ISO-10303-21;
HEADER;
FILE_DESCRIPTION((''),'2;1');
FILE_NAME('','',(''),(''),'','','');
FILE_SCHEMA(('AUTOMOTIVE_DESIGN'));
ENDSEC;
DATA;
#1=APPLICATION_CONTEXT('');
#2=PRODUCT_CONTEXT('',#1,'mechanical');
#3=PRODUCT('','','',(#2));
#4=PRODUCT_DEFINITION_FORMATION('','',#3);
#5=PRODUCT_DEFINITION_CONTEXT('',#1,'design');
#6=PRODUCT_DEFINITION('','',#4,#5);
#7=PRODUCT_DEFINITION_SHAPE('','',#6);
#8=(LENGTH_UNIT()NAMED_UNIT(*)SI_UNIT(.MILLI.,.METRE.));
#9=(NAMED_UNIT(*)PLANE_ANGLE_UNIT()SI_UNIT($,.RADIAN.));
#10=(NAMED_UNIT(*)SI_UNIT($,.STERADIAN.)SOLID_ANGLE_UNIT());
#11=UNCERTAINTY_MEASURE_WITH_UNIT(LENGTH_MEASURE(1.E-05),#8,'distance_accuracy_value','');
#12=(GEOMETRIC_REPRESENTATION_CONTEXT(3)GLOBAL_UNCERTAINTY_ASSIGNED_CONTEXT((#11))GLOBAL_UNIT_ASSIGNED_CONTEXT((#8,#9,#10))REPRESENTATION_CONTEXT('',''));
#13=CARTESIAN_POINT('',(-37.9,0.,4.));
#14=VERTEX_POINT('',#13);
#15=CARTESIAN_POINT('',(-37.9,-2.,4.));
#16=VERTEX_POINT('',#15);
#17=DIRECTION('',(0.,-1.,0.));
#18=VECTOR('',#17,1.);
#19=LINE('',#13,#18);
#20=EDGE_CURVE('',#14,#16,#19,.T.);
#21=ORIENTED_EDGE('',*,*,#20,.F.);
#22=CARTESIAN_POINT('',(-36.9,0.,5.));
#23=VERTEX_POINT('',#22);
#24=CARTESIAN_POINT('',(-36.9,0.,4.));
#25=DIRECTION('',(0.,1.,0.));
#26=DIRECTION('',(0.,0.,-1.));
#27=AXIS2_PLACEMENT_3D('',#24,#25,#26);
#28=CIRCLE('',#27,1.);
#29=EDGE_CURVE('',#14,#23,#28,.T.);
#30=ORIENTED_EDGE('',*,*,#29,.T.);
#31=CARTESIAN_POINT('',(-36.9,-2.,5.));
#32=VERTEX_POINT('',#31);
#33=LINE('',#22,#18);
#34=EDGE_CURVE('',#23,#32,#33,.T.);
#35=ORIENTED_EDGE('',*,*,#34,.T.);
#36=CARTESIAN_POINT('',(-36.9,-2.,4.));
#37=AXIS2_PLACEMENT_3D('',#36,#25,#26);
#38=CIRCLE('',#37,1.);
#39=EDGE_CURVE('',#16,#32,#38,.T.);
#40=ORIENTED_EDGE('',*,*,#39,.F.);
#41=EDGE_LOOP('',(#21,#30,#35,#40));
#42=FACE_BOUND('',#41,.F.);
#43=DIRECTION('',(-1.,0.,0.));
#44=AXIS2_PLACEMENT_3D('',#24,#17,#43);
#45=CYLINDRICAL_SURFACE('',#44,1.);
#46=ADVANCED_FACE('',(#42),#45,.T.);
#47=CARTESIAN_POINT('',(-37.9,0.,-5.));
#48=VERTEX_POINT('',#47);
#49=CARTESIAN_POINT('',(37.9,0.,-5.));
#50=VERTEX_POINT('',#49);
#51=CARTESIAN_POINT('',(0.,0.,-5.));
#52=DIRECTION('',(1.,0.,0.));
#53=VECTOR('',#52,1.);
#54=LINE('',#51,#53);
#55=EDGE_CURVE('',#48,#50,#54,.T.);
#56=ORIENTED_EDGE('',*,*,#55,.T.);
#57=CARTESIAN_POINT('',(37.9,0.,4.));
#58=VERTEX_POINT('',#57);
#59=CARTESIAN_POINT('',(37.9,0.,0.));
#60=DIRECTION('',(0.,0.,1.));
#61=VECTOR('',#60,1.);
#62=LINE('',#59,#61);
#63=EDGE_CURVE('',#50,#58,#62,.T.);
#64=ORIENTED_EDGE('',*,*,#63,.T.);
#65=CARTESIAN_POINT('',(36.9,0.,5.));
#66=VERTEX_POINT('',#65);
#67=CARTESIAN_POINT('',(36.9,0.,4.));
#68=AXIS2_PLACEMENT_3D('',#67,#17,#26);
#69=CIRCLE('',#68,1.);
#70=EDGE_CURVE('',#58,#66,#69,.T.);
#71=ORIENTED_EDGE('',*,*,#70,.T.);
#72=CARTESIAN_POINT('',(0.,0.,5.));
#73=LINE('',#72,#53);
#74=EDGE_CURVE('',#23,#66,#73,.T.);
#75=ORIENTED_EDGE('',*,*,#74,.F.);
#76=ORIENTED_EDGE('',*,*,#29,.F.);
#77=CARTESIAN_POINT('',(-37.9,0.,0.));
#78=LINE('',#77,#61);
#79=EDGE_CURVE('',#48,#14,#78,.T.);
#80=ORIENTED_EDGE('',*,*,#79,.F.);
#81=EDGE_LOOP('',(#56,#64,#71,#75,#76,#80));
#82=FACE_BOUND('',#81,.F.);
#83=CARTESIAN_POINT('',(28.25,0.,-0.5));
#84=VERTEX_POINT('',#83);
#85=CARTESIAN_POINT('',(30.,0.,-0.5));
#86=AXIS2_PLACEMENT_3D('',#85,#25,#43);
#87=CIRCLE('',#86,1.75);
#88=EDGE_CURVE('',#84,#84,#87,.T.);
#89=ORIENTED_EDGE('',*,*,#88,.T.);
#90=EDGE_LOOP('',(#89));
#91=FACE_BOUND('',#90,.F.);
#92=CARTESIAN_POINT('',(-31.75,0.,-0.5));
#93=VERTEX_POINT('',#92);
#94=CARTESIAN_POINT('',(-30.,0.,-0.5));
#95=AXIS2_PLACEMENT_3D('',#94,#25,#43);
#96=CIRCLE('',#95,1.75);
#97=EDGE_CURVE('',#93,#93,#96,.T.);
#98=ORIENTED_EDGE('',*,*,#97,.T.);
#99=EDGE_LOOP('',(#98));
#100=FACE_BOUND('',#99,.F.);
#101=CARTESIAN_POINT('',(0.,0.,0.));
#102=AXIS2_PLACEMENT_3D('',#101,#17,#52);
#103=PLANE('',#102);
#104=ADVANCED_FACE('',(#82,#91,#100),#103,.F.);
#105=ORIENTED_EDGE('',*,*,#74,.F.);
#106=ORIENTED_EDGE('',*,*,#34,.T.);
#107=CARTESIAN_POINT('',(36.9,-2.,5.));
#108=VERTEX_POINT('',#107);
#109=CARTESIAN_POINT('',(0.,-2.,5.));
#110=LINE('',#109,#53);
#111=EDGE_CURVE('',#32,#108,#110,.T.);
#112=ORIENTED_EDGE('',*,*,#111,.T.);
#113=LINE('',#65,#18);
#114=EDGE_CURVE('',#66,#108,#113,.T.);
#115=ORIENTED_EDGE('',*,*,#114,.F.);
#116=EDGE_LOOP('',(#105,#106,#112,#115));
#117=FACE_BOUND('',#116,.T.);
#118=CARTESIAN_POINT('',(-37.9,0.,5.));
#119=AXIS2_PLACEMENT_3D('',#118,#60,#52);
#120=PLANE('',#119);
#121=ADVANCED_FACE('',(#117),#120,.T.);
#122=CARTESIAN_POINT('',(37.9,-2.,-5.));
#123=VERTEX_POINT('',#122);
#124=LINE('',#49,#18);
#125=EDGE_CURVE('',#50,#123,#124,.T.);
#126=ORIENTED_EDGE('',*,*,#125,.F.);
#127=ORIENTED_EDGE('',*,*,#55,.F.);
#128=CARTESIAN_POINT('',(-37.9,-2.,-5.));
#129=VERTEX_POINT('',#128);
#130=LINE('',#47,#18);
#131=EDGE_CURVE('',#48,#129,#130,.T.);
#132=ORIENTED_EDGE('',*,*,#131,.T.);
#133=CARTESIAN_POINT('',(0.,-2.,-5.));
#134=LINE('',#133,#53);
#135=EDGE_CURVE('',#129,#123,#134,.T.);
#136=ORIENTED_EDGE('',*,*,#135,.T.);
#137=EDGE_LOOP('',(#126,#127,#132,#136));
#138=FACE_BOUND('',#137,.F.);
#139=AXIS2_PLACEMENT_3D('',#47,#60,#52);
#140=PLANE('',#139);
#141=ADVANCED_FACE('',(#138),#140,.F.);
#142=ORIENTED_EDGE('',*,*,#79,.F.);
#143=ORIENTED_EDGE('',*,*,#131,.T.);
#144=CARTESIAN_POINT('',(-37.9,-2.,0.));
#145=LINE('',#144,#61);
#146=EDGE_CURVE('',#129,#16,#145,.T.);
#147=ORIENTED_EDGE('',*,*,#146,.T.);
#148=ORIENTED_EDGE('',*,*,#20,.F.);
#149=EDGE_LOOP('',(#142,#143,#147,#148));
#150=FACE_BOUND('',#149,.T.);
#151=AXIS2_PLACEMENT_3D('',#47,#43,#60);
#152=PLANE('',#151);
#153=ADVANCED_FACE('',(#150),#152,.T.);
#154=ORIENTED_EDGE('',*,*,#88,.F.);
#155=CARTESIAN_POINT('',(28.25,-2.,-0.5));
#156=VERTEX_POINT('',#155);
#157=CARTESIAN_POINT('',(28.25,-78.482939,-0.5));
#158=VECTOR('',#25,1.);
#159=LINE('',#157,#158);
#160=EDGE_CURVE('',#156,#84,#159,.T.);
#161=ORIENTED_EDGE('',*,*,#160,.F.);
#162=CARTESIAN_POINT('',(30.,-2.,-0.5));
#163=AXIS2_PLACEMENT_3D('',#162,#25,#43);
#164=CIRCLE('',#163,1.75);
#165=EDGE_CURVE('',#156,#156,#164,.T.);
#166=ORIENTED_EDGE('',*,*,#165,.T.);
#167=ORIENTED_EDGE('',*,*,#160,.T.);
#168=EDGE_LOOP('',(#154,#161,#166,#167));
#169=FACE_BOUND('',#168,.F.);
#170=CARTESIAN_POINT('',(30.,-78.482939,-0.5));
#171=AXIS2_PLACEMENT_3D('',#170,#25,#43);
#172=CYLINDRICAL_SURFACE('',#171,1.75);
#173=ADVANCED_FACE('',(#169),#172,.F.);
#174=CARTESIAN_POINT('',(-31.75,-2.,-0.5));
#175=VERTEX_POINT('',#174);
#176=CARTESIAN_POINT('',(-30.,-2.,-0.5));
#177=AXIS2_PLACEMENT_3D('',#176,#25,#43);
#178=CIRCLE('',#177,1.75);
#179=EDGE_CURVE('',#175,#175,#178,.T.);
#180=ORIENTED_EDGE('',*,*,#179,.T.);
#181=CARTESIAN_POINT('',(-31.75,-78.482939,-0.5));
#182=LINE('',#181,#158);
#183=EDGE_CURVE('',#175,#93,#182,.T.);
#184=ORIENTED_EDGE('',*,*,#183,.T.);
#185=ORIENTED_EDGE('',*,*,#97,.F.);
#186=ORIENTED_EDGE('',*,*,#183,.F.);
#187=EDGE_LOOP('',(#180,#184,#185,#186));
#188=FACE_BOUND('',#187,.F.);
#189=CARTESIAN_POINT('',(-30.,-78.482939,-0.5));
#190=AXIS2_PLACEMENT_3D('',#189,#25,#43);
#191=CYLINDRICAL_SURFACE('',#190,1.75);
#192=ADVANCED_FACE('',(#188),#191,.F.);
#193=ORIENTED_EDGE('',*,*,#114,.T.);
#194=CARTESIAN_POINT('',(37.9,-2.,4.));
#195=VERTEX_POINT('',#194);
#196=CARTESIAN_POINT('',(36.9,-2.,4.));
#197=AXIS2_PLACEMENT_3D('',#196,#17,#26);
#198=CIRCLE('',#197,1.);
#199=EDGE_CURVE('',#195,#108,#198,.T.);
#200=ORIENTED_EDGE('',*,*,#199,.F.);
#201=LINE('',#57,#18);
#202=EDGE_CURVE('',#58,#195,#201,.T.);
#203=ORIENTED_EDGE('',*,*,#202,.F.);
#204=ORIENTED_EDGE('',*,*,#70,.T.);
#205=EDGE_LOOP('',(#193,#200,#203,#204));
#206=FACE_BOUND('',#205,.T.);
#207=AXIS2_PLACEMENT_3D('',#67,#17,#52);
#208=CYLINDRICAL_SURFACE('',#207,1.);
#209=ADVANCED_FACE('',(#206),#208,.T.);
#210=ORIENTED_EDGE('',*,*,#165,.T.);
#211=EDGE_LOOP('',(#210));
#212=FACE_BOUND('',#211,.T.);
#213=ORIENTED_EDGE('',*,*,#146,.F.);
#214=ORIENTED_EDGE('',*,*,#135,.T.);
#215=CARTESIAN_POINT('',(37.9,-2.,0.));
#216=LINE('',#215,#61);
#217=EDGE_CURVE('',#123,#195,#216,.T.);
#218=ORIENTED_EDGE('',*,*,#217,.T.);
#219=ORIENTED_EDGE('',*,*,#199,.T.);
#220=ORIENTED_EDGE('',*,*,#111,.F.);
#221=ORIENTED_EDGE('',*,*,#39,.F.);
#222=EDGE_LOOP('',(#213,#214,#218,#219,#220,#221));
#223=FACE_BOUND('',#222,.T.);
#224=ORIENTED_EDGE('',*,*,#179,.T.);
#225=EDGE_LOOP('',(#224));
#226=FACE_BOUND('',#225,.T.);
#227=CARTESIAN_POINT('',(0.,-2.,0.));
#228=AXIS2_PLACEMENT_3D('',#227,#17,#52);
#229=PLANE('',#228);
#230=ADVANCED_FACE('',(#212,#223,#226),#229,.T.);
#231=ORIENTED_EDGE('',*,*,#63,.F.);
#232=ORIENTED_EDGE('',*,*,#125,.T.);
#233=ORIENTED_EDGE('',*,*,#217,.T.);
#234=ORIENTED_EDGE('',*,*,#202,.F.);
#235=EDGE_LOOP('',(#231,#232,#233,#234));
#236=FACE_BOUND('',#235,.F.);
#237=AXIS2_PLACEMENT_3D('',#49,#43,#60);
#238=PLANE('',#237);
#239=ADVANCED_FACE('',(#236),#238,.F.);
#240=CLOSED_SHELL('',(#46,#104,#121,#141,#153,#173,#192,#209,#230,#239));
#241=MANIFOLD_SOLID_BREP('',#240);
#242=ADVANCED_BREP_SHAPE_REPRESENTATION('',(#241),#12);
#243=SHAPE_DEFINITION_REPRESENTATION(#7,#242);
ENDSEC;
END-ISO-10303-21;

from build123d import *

# Parameters (mm, degrees)
F0_W     = 75.8
F0_H     = 10
F1_DEPTH = 2
F2_R     = 1
F4_D     = 3.5


with BuildPart() as f1:
    # F0 (on Front) → F1 (new body)
    with BuildSketch(Plane.XZ):
        Rectangle(F0_W, F0_H)
    extrude(amount=F1_DEPTH)

    # F2
    f2_edges = [f1.edges().sort_by_distance(p)[0] for p in [
        (-37.9, -1, 5),
        (37.9, -1, 5),
    ]]
    fillet(f2_edges, radius=F2_R)

    # F4 (through all)
    with Locations(Plane.XZ.offset(2)):
        with Locations((30, -0.5), (-30, -0.5)):
            Hole(F4_D / 2)


solid = f1.part
